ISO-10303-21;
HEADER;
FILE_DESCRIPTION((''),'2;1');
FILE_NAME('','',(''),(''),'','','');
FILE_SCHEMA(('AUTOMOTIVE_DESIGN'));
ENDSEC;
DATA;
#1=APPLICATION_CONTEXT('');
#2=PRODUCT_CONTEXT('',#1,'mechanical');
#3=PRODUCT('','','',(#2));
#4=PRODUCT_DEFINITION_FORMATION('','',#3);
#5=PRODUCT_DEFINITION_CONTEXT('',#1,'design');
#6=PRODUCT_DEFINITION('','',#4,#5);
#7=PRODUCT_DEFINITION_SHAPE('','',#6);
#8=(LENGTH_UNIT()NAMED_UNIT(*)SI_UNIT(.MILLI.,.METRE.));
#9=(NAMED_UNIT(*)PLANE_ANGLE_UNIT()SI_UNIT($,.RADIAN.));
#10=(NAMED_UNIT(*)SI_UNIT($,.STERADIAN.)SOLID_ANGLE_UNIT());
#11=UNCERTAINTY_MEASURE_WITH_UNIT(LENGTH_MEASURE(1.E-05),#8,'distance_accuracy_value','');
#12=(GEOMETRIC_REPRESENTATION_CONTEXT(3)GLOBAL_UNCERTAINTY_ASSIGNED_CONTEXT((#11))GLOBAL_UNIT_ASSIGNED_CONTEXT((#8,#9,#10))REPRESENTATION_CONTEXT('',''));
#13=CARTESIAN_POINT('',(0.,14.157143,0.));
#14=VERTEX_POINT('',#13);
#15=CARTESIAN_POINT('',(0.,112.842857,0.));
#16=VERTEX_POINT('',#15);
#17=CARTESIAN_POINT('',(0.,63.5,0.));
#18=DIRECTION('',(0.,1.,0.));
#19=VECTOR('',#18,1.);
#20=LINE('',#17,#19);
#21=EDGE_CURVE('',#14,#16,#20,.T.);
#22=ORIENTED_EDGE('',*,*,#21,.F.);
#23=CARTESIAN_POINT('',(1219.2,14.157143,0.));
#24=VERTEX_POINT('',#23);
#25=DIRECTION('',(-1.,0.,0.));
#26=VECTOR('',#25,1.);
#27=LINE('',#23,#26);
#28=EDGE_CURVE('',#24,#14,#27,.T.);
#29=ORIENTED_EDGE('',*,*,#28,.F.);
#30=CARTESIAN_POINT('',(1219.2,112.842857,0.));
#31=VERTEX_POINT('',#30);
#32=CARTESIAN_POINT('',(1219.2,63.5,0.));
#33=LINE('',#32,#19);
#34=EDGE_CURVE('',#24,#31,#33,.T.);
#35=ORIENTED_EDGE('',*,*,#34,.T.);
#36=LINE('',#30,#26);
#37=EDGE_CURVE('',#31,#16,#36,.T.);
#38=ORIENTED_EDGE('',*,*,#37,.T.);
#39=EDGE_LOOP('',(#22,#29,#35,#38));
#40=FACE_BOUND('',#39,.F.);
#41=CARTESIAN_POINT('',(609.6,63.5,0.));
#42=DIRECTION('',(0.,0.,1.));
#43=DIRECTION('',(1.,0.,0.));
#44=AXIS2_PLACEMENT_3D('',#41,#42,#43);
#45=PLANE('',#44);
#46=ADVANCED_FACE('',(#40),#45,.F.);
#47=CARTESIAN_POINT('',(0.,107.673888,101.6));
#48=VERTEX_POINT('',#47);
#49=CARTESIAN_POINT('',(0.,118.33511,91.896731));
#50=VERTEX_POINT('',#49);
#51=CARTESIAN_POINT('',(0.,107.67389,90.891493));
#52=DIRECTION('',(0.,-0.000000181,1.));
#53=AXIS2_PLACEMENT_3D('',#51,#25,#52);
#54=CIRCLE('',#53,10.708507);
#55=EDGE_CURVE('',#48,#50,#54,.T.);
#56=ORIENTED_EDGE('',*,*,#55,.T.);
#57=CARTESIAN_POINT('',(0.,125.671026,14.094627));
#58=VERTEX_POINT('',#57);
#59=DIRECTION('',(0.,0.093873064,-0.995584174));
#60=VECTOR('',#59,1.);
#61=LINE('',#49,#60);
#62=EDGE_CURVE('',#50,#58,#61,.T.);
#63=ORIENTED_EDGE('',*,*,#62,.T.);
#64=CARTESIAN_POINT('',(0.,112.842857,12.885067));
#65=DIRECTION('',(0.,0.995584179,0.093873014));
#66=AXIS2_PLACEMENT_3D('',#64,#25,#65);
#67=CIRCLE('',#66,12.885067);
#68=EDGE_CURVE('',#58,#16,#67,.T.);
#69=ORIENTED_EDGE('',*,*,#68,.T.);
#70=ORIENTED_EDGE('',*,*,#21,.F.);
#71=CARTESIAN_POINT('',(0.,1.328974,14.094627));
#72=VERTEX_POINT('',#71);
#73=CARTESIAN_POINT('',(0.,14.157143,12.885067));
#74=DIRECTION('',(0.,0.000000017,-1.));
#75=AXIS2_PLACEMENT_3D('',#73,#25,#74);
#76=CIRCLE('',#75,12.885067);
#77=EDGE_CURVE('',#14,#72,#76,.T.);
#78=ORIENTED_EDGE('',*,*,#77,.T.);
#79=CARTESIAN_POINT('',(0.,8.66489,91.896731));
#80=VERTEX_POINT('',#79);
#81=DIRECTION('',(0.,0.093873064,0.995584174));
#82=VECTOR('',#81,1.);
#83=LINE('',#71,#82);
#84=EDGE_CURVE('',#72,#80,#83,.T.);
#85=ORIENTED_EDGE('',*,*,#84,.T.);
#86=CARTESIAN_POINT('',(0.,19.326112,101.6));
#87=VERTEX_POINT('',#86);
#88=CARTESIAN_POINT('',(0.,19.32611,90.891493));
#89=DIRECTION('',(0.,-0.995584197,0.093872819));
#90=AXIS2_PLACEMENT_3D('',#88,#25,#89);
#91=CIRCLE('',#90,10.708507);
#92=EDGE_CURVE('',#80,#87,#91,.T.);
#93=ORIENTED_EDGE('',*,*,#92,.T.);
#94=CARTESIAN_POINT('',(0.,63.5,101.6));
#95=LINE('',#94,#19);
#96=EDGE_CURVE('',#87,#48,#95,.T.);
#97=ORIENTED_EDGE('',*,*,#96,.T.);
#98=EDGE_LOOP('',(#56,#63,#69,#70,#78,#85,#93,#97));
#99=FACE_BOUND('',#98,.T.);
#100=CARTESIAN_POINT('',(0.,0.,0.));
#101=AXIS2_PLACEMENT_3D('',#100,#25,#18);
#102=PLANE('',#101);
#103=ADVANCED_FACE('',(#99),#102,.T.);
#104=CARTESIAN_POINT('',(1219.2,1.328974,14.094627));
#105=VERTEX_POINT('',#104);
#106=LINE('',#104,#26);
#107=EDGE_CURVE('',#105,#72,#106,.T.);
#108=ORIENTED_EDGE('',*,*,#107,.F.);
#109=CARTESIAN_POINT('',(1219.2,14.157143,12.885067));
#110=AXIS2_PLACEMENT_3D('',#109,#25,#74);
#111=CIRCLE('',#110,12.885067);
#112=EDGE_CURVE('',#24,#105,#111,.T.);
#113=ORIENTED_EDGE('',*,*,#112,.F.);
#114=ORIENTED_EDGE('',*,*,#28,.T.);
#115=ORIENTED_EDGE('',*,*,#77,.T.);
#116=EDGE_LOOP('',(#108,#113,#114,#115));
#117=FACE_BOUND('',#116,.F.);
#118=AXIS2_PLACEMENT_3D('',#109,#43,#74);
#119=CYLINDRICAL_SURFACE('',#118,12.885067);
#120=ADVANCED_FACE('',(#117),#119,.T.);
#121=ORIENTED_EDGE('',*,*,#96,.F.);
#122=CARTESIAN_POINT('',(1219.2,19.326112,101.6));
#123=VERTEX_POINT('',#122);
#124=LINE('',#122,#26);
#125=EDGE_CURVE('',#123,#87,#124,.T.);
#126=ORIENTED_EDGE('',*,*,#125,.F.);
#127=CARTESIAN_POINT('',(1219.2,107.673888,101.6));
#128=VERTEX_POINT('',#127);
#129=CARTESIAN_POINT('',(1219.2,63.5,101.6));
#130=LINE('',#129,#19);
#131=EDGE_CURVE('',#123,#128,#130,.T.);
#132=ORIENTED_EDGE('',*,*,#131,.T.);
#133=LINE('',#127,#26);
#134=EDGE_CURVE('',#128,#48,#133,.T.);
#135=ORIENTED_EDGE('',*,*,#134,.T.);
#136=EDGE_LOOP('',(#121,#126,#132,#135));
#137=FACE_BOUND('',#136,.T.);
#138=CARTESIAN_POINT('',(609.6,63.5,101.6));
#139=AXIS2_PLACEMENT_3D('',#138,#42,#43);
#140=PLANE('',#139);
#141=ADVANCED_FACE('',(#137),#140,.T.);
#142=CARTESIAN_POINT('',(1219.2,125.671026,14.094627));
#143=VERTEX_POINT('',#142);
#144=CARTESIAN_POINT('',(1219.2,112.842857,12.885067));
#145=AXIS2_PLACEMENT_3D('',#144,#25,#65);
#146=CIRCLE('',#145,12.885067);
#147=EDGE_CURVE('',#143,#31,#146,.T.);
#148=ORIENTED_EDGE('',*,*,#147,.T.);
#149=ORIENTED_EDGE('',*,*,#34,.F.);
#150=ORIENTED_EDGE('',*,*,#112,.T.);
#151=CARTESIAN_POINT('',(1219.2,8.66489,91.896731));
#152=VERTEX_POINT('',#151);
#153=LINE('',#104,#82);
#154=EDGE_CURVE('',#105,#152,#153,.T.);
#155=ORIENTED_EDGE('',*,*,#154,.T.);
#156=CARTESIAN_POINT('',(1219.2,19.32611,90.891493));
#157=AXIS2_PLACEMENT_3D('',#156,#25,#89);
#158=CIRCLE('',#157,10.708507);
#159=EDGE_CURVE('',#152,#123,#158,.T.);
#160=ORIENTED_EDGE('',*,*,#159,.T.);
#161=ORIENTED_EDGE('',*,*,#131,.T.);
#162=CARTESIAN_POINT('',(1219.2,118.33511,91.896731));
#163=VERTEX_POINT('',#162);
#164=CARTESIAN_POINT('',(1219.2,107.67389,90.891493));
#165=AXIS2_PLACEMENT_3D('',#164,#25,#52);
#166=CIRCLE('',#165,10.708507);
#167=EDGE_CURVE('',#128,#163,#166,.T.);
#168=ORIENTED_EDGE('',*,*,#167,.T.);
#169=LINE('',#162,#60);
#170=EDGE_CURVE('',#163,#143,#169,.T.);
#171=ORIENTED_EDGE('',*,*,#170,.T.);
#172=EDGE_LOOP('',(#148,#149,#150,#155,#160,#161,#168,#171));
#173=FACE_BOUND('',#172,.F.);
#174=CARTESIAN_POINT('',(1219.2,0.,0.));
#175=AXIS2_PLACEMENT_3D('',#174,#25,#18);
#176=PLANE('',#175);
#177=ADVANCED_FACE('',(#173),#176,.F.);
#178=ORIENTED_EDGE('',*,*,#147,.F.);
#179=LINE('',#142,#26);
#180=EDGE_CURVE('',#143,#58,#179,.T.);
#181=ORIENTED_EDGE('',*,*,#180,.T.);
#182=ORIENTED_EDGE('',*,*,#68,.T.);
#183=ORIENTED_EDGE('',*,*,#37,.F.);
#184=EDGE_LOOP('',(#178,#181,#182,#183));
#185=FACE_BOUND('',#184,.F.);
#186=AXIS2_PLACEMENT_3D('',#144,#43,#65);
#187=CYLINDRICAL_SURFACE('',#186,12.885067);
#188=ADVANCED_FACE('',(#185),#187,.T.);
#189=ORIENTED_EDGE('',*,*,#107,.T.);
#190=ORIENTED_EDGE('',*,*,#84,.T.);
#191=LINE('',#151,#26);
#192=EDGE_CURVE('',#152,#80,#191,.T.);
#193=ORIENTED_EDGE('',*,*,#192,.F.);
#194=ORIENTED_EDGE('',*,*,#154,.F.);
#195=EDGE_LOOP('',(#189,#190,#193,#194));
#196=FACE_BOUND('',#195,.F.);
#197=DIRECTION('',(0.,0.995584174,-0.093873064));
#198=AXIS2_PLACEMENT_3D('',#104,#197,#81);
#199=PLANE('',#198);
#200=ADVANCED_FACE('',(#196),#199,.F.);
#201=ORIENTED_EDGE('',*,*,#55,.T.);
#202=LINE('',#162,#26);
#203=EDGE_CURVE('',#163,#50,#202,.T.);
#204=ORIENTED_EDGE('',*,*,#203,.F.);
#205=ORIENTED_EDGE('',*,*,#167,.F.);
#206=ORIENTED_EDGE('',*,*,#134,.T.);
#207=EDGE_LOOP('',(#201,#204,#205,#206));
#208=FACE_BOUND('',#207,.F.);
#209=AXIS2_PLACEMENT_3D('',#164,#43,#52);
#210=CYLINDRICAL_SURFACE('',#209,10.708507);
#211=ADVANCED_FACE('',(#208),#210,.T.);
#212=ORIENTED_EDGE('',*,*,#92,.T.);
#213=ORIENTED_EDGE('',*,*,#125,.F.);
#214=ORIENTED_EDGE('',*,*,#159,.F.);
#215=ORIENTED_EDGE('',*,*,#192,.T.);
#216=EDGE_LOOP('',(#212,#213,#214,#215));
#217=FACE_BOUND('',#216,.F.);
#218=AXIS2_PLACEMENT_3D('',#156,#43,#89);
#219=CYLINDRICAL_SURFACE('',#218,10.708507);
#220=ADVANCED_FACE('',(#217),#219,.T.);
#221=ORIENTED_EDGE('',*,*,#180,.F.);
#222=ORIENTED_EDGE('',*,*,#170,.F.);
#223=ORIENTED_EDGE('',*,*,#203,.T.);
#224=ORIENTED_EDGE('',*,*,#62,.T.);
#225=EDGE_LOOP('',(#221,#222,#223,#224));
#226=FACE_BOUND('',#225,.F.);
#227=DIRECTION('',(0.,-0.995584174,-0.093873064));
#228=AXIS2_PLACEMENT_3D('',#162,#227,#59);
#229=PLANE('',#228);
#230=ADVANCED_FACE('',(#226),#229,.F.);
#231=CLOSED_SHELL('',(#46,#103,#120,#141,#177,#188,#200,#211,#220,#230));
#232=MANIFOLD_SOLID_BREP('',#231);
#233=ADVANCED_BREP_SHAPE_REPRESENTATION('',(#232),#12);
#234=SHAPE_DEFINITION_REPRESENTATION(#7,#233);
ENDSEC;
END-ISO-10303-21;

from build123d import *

# Parameters (mm, degrees)
F0_W     = 1219.2
F0_H     = 127
F1_DEPTH = 101.6
F3_DEPTH = 1219.2


with BuildPart() as f1:
    # F0 (on Top) → F1 (new body)
    with BuildSketch(Plane.XY):
        with Locations((609.6, 63.5)):
            Rectangle(F0_W, F0_H)
    extrude(amount=F1_DEPTH)

    # F2 (on face) → F3 (cut, through all)
    with BuildSketch(Plane.YZ.offset(1219.2)):
        with BuildLine():
            Line((9.579805, 101.6), (0, 101.6))
            Line((0, 101.6), (0, 0))
            Line((0, 0), (7.050204, 0))
            Line((7.050204, 0), (14.157143, 0))
            ThreePointArc((14.157143, 0), (4.627971, 4.21213), (1.328974, 14.094627))
            Line((1.328974, 14.094627), (8.66489, 91.896731))
            ThreePointArc((8.66489, 91.896731), (12.118215, 98.810986), (19.326112, 101.6))
            Line((19.326112, 101.6), (9.579805, 101.6))
        make_face()
        with BuildLine():
            Line((117.420195, 101.6), (107.673888, 101.6))
            ThreePointArc((107.673888, 101.6), (114.881785, 98.810986), (118.33511, 91.896731))
            Line((118.33511, 91.896731), (125.671026, 14.094627))
            ThreePointArc((125.671026, 14.094627), (122.372029, 4.21213), (112.842857, 0))
            Line((112.842857, 0), (119.949796, 0))
            Line((119.949796, 0), (127, 0))
            Line((127, 0), (127, 101.6))
            Line((127, 101.6), (117.420195, 101.6))
        make_face()
    extrude(amount=-F3_DEPTH, mode=Mode.SUBTRACT)


solid = f1.part
